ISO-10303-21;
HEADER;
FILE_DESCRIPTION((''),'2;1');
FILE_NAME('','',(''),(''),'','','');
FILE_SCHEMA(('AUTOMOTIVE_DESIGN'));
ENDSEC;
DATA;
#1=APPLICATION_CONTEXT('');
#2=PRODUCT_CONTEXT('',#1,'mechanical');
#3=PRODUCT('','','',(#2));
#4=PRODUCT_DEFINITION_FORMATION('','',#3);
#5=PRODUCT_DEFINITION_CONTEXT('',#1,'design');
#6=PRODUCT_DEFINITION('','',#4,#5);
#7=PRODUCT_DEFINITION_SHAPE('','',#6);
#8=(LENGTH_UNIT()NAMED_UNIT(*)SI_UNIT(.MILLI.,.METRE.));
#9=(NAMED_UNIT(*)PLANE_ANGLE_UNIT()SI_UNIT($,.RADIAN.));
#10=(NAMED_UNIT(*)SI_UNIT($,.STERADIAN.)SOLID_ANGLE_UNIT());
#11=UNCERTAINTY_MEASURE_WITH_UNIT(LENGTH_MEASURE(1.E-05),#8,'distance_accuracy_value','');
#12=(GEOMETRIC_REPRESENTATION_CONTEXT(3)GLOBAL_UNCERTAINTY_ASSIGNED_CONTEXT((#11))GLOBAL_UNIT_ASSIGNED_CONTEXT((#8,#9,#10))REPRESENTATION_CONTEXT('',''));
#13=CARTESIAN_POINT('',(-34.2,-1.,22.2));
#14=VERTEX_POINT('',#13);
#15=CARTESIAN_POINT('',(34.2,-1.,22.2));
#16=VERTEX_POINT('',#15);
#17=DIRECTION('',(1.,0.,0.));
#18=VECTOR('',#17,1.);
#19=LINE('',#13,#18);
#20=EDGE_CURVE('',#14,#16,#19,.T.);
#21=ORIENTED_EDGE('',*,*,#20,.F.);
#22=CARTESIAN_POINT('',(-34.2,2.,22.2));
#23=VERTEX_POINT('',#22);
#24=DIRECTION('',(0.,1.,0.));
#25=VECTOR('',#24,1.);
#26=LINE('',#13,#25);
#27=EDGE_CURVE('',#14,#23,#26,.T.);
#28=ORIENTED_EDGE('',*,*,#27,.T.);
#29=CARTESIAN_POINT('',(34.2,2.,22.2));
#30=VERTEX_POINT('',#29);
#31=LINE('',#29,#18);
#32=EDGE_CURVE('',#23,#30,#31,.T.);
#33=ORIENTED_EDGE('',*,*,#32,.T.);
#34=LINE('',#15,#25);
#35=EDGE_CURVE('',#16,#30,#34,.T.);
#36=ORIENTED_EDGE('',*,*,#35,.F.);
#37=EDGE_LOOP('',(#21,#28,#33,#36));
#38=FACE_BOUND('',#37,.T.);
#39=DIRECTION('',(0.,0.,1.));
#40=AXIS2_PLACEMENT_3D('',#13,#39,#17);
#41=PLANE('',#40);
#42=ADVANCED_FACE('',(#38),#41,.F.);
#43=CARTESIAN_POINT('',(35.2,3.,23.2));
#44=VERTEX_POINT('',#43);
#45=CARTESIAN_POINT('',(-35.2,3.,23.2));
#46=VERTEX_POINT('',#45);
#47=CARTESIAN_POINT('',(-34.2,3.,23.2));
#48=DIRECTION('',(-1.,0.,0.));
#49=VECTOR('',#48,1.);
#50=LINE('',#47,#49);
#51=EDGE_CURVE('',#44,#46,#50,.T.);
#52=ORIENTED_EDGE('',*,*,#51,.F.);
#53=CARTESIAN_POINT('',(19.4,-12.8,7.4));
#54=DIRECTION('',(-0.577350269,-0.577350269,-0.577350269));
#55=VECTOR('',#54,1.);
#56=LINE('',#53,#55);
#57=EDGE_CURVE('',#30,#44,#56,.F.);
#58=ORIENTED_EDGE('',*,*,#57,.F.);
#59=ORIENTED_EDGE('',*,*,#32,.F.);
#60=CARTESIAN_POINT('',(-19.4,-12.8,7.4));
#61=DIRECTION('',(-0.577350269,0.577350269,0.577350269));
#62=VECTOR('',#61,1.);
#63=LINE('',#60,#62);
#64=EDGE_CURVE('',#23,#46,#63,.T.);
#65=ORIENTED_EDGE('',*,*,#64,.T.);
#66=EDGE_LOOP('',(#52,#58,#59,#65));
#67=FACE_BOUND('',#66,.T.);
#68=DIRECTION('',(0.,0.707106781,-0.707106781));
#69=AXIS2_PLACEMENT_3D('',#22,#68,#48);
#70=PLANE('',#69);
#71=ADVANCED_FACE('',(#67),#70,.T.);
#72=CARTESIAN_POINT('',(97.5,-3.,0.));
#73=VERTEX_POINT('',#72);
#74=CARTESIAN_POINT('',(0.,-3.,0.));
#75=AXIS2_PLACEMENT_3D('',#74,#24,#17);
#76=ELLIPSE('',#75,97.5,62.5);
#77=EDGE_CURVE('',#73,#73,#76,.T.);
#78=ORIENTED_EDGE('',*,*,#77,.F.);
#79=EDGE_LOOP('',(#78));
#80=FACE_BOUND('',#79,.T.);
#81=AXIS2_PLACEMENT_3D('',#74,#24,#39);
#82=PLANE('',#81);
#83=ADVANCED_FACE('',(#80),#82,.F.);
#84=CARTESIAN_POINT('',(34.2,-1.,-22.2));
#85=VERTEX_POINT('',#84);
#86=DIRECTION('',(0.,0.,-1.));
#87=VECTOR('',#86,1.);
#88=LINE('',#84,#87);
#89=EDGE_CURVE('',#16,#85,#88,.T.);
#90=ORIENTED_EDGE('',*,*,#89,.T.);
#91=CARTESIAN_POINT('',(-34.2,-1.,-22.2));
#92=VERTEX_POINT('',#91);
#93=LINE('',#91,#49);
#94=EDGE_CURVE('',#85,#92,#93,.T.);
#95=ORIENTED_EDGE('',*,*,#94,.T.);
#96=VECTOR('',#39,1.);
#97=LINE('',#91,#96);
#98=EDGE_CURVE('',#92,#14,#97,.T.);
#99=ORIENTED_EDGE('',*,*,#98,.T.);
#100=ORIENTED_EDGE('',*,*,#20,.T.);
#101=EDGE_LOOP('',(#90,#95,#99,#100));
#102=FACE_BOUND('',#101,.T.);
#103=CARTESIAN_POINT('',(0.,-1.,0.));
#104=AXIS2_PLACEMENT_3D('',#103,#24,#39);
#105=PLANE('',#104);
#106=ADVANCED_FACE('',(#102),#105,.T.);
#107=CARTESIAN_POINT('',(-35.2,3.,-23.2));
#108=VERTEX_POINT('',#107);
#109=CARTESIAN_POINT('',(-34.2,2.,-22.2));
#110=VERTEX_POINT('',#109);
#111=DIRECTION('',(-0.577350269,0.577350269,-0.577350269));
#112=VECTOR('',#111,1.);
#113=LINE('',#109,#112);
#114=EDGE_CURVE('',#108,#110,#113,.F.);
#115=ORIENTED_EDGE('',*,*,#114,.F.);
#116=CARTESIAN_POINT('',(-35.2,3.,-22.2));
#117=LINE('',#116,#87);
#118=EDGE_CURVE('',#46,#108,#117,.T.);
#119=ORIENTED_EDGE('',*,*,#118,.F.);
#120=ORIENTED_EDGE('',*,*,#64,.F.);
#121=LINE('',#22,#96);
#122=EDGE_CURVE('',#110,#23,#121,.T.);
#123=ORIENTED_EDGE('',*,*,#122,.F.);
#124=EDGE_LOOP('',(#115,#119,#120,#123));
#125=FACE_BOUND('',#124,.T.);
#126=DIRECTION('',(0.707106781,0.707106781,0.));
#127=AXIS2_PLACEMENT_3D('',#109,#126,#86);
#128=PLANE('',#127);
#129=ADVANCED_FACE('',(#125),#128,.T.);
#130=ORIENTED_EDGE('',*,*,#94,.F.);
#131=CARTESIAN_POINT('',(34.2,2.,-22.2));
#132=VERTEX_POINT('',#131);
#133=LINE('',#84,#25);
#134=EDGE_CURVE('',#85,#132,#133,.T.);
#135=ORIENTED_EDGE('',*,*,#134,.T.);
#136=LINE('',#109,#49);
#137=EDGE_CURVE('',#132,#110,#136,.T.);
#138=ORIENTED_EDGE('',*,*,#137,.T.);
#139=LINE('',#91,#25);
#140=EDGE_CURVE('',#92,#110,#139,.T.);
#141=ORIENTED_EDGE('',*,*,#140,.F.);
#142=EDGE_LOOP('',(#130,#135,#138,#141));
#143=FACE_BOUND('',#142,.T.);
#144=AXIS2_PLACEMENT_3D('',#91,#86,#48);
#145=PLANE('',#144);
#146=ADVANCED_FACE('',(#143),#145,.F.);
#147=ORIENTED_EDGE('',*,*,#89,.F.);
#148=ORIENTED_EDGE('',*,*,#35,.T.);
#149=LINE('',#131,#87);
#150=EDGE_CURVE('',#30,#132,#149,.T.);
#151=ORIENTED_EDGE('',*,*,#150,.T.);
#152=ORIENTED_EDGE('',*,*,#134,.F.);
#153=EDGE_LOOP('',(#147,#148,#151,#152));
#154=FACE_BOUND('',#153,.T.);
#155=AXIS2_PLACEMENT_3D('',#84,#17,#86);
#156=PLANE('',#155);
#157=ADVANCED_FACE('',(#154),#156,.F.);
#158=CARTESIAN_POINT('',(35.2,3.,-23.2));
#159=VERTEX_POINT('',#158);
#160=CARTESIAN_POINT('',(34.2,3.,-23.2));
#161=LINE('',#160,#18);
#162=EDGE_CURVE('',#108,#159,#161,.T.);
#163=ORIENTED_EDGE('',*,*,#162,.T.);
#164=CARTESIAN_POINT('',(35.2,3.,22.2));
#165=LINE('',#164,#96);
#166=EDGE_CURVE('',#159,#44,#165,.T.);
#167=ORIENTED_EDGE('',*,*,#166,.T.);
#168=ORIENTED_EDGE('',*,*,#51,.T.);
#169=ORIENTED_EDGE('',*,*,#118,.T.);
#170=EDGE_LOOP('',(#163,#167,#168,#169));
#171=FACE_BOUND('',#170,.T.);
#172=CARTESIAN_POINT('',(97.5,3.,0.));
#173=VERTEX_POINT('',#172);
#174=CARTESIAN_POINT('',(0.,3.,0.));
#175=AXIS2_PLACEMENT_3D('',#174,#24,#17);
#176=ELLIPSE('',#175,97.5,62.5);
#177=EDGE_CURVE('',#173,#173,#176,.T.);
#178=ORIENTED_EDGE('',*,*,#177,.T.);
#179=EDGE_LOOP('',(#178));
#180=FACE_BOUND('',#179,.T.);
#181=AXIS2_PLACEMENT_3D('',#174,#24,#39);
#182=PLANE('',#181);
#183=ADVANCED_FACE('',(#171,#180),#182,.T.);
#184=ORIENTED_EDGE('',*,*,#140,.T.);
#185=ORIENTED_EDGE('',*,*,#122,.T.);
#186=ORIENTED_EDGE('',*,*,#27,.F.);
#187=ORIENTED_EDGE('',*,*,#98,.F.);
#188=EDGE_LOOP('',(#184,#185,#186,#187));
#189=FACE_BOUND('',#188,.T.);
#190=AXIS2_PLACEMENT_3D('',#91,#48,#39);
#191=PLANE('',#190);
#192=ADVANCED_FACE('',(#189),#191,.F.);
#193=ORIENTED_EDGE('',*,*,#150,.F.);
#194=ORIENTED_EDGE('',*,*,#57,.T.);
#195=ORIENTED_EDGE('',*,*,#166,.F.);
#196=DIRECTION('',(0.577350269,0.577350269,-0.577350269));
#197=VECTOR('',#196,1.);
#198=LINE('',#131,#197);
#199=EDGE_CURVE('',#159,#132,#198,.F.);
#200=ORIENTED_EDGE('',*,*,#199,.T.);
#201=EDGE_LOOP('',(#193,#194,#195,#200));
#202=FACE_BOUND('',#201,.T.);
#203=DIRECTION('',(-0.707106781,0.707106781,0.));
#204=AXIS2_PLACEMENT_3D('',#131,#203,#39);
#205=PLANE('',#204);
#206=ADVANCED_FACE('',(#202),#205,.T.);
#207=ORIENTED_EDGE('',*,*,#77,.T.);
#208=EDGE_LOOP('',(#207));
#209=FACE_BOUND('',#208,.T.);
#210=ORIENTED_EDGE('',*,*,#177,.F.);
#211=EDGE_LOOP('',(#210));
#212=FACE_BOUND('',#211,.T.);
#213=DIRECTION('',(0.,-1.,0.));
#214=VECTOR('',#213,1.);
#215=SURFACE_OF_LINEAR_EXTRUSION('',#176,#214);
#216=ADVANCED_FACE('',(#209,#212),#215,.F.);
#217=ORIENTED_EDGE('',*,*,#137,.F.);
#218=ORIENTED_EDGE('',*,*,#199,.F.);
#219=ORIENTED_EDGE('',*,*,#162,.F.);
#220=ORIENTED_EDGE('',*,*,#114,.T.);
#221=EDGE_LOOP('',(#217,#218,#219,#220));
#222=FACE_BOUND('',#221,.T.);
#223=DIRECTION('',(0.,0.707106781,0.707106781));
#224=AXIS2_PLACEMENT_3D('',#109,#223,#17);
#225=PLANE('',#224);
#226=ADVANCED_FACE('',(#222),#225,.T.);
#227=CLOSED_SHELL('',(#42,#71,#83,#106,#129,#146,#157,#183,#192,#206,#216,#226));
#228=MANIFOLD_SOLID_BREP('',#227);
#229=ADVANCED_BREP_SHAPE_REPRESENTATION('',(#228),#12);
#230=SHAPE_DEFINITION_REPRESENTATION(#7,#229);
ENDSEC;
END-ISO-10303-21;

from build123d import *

# Parameters (mm, degrees)
SKETCH2_RX          = 97.5
SKETCH2_RY          = 62.5
BOSS_EXTRUDE1_DEPTH = 3
SKETCH3_W           = 68.4
SKETCH3_H           = 44.4
CUT_EXTRUDE1_DEPTH  = 4
CHAMFER2_SIZE       = 1


with BuildPart() as part:
    # Sketch2 → Boss-Extrude1 (new, symmetric)
    with BuildSketch(Plane(origin=(0, 0, 0), x_dir=(1, 0, 0), z_dir=(0, 1, 0))):
        with Locations((0, 0)):
            Ellipse(SKETCH2_RX, SKETCH2_RY)
    extrude(amount=BOSS_EXTRUDE1_DEPTH, both=True)

    # Sketch3 → Cut-Extrude1 (cut)
    with BuildSketch(Plane(origin=(0, 3, 0), x_dir=(1, 0, 0), z_dir=(0, 1, 0))):
        Rectangle(SKETCH3_W, SKETCH3_H)
    extrude(amount=-CUT_EXTRUDE1_DEPTH, mode=Mode.SUBTRACT)

    # Chamfer2
    chamfer2_edges = [part.edges().sort_by_distance(p)[0] for p in [
        (0, 3, 22.2),
        (34.2, 3, 0),
        (0, 3, -22.2),
        (-34.2, 3, 0),
    ]]
    chamfer(chamfer2_edges, length=CHAMFER2_SIZE)


solid = part.part
